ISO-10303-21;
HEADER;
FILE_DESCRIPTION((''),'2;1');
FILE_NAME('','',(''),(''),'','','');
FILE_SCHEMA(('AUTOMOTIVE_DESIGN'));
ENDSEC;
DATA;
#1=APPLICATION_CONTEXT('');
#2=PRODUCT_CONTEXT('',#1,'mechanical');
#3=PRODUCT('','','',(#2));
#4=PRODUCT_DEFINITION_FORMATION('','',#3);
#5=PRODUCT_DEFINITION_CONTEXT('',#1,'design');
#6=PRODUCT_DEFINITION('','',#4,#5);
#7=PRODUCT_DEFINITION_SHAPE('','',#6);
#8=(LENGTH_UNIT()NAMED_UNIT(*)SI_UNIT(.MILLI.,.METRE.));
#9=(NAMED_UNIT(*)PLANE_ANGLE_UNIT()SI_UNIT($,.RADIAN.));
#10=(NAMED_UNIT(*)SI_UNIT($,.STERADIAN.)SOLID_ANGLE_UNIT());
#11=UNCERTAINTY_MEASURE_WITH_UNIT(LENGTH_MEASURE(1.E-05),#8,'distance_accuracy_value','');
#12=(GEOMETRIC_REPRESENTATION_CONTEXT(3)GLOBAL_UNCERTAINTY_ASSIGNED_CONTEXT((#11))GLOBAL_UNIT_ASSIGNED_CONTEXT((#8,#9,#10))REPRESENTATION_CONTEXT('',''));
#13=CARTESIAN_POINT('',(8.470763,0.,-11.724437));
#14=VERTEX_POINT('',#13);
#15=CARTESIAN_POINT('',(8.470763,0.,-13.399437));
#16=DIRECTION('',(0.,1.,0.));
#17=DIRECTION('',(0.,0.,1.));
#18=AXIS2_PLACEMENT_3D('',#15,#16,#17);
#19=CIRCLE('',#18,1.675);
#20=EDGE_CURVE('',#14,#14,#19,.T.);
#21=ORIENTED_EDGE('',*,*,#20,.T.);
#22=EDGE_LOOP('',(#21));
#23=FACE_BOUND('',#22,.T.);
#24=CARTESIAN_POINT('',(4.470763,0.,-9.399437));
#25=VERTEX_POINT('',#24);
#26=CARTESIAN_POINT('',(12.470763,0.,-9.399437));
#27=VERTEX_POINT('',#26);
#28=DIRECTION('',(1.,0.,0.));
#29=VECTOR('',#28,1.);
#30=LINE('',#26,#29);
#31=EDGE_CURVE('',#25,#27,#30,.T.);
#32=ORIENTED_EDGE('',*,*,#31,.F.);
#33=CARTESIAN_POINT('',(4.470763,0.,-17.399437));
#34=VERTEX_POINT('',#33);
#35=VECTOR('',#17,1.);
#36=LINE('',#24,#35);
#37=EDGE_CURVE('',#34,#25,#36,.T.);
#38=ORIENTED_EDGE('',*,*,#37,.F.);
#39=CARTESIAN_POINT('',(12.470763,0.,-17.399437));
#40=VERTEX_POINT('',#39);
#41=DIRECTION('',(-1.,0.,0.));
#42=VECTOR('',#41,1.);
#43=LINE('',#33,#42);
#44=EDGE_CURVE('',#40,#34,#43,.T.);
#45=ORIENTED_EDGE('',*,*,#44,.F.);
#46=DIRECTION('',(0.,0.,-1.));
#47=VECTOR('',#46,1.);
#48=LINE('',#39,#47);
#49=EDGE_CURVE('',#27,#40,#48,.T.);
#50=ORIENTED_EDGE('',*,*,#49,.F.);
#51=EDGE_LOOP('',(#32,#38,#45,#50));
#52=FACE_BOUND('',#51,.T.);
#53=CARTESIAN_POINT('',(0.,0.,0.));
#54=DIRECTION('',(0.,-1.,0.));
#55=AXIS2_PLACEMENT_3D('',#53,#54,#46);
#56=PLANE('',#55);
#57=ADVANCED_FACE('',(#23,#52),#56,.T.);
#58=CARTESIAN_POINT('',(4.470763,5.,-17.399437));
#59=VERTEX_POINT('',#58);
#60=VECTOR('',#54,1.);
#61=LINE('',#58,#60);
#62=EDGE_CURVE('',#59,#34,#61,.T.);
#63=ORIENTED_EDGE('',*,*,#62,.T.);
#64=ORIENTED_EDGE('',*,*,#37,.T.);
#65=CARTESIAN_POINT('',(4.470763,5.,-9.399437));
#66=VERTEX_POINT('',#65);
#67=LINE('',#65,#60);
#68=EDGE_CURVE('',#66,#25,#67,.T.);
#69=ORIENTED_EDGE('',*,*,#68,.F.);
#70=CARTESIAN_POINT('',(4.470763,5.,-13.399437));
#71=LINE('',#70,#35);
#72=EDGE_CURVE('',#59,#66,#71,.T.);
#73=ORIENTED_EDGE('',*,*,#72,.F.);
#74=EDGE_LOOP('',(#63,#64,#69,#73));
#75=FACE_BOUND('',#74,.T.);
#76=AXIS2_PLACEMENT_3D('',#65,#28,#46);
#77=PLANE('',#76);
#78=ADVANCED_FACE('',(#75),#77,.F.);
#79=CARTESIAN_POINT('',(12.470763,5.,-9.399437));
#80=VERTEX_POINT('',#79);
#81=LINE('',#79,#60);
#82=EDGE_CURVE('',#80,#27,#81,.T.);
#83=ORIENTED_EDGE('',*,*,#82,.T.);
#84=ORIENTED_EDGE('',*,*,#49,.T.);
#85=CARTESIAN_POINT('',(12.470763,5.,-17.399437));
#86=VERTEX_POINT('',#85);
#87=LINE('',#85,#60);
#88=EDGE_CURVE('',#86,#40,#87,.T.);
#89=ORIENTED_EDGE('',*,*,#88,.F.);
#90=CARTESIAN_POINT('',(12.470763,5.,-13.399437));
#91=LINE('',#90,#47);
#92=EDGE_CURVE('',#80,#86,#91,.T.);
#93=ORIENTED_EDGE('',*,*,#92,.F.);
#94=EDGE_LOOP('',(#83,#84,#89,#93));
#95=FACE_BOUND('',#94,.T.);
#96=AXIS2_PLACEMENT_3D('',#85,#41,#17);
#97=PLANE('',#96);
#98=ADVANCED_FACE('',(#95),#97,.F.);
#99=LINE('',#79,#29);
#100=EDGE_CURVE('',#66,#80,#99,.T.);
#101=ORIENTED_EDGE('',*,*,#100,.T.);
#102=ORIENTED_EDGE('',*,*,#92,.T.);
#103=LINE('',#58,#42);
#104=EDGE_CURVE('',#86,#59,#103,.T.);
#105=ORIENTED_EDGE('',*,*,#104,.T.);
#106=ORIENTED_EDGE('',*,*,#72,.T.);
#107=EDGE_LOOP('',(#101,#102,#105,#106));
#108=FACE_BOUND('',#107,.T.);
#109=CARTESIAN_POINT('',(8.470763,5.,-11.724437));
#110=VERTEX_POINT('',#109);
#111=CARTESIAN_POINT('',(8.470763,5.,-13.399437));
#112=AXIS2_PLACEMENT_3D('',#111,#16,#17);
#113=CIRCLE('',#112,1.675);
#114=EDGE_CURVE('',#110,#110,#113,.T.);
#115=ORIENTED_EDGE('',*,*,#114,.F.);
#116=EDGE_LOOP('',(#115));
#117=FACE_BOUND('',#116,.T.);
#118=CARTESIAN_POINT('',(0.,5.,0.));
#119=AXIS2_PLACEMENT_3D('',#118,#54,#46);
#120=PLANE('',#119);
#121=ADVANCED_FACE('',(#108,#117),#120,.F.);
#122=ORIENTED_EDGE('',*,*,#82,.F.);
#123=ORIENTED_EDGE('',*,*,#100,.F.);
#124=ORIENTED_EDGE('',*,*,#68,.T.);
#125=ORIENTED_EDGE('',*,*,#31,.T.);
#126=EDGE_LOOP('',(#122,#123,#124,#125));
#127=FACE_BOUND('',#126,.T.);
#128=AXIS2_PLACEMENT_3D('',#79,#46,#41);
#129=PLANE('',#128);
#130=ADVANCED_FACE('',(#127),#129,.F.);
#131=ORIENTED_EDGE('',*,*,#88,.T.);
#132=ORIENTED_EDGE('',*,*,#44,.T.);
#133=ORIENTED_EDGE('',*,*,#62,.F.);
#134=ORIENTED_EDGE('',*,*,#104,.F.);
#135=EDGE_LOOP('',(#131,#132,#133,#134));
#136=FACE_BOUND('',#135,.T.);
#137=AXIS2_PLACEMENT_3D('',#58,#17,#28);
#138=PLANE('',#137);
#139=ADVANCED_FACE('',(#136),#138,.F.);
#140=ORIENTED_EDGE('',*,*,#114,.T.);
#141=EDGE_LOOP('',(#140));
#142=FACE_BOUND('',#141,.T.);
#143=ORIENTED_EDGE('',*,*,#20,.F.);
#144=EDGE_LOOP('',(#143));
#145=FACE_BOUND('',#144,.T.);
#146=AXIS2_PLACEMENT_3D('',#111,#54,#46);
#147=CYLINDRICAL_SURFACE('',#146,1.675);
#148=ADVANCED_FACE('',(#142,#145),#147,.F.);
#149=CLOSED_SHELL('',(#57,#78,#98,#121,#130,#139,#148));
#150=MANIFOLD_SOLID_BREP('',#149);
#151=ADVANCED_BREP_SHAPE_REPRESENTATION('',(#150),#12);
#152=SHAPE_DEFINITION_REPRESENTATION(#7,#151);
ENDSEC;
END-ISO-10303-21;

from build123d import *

# Parameters (mm, degrees)
SKETCH2_R           = 1.675
BOSS_EXTRUDE1_DEPTH = 5


with BuildPart() as part:
    # Sketch2 → Boss-Extrude1 (new body)
    with BuildSketch(Plane(origin=(0, 0, 0), x_dir=(1, 0, 0), z_dir=(0, 1, 0))):
        Polygon((4.470763245, 9.399437104), (4.470763245, 13.399437104), (4.470763245, 17.399437104), (12.470763245, 17.399437104), (12.470763245, 13.399437104), (12.470763245, 9.399437104), align=None)
        with Locations(Location((8.470763245, 13.399437104, 0), (0, 0, 270))):
            Circle(SKETCH2_R, mode=Mode.SUBTRACT)
    extrude(amount=BOSS_EXTRUDE1_DEPTH)


solid = part.part
